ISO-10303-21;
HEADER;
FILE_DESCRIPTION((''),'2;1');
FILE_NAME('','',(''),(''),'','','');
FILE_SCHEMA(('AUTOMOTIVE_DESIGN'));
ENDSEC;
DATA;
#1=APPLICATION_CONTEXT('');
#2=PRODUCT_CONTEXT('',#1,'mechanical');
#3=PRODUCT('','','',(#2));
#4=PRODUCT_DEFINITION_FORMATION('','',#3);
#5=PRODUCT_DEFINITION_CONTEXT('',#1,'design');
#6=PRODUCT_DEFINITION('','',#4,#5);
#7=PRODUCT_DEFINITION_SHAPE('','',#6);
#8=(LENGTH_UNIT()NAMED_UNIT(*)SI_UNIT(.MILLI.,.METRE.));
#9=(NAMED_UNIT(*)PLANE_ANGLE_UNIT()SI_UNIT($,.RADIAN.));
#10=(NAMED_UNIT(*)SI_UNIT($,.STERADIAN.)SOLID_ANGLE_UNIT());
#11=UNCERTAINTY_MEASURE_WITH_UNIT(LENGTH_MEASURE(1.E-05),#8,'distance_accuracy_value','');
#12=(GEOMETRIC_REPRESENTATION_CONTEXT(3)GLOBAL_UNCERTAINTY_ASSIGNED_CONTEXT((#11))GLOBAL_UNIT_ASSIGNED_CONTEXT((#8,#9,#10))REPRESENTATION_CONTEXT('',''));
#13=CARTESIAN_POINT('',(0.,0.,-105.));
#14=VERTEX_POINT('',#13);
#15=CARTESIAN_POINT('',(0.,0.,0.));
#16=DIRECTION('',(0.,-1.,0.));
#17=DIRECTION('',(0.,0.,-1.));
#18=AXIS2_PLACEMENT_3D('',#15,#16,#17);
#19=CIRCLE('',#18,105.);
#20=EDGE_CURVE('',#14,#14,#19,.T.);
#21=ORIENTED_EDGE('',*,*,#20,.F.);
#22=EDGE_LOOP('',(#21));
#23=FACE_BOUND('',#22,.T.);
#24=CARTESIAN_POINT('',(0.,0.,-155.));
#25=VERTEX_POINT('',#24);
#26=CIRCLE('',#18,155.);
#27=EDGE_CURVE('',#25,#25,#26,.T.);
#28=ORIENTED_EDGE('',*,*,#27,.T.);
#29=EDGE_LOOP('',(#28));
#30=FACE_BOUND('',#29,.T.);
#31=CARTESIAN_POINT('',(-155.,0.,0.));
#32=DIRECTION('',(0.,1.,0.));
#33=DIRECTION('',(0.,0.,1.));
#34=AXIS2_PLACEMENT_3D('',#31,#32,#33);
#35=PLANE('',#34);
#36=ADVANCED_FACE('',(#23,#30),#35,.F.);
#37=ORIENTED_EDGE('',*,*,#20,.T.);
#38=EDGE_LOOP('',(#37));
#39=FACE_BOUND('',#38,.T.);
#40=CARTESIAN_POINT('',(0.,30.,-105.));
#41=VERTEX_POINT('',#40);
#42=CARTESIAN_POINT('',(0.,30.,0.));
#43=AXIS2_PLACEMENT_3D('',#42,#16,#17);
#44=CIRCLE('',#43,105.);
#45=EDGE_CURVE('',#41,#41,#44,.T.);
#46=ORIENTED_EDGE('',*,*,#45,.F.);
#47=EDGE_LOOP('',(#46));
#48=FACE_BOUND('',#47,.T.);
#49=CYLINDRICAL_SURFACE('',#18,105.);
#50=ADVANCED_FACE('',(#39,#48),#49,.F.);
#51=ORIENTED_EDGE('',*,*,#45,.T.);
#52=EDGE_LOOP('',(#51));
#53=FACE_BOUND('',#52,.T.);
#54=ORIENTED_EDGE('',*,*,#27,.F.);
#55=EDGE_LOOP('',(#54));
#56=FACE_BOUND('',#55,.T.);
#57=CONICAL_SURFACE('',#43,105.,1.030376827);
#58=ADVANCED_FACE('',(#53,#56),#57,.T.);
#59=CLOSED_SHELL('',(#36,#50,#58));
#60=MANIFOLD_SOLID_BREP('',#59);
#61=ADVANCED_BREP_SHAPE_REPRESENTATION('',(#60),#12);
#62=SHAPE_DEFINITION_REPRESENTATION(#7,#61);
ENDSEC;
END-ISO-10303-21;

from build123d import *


with BuildPart() as part:
    # 草图2 → 旋转1 (revolve)
    with BuildSketch(Plane.XY, mode=Mode.PRIVATE) as revolve_1_sk:
        Polygon((-155, 0), (-105, 0), (-105, 30), align=None)
    revolve(revolve_1_sk.sketch.rotate(Axis((0, 0, 0), (0, 1, 0)), 270), axis=Axis((0, 0, 0), (0, 1, 0)))


solid = part.part
